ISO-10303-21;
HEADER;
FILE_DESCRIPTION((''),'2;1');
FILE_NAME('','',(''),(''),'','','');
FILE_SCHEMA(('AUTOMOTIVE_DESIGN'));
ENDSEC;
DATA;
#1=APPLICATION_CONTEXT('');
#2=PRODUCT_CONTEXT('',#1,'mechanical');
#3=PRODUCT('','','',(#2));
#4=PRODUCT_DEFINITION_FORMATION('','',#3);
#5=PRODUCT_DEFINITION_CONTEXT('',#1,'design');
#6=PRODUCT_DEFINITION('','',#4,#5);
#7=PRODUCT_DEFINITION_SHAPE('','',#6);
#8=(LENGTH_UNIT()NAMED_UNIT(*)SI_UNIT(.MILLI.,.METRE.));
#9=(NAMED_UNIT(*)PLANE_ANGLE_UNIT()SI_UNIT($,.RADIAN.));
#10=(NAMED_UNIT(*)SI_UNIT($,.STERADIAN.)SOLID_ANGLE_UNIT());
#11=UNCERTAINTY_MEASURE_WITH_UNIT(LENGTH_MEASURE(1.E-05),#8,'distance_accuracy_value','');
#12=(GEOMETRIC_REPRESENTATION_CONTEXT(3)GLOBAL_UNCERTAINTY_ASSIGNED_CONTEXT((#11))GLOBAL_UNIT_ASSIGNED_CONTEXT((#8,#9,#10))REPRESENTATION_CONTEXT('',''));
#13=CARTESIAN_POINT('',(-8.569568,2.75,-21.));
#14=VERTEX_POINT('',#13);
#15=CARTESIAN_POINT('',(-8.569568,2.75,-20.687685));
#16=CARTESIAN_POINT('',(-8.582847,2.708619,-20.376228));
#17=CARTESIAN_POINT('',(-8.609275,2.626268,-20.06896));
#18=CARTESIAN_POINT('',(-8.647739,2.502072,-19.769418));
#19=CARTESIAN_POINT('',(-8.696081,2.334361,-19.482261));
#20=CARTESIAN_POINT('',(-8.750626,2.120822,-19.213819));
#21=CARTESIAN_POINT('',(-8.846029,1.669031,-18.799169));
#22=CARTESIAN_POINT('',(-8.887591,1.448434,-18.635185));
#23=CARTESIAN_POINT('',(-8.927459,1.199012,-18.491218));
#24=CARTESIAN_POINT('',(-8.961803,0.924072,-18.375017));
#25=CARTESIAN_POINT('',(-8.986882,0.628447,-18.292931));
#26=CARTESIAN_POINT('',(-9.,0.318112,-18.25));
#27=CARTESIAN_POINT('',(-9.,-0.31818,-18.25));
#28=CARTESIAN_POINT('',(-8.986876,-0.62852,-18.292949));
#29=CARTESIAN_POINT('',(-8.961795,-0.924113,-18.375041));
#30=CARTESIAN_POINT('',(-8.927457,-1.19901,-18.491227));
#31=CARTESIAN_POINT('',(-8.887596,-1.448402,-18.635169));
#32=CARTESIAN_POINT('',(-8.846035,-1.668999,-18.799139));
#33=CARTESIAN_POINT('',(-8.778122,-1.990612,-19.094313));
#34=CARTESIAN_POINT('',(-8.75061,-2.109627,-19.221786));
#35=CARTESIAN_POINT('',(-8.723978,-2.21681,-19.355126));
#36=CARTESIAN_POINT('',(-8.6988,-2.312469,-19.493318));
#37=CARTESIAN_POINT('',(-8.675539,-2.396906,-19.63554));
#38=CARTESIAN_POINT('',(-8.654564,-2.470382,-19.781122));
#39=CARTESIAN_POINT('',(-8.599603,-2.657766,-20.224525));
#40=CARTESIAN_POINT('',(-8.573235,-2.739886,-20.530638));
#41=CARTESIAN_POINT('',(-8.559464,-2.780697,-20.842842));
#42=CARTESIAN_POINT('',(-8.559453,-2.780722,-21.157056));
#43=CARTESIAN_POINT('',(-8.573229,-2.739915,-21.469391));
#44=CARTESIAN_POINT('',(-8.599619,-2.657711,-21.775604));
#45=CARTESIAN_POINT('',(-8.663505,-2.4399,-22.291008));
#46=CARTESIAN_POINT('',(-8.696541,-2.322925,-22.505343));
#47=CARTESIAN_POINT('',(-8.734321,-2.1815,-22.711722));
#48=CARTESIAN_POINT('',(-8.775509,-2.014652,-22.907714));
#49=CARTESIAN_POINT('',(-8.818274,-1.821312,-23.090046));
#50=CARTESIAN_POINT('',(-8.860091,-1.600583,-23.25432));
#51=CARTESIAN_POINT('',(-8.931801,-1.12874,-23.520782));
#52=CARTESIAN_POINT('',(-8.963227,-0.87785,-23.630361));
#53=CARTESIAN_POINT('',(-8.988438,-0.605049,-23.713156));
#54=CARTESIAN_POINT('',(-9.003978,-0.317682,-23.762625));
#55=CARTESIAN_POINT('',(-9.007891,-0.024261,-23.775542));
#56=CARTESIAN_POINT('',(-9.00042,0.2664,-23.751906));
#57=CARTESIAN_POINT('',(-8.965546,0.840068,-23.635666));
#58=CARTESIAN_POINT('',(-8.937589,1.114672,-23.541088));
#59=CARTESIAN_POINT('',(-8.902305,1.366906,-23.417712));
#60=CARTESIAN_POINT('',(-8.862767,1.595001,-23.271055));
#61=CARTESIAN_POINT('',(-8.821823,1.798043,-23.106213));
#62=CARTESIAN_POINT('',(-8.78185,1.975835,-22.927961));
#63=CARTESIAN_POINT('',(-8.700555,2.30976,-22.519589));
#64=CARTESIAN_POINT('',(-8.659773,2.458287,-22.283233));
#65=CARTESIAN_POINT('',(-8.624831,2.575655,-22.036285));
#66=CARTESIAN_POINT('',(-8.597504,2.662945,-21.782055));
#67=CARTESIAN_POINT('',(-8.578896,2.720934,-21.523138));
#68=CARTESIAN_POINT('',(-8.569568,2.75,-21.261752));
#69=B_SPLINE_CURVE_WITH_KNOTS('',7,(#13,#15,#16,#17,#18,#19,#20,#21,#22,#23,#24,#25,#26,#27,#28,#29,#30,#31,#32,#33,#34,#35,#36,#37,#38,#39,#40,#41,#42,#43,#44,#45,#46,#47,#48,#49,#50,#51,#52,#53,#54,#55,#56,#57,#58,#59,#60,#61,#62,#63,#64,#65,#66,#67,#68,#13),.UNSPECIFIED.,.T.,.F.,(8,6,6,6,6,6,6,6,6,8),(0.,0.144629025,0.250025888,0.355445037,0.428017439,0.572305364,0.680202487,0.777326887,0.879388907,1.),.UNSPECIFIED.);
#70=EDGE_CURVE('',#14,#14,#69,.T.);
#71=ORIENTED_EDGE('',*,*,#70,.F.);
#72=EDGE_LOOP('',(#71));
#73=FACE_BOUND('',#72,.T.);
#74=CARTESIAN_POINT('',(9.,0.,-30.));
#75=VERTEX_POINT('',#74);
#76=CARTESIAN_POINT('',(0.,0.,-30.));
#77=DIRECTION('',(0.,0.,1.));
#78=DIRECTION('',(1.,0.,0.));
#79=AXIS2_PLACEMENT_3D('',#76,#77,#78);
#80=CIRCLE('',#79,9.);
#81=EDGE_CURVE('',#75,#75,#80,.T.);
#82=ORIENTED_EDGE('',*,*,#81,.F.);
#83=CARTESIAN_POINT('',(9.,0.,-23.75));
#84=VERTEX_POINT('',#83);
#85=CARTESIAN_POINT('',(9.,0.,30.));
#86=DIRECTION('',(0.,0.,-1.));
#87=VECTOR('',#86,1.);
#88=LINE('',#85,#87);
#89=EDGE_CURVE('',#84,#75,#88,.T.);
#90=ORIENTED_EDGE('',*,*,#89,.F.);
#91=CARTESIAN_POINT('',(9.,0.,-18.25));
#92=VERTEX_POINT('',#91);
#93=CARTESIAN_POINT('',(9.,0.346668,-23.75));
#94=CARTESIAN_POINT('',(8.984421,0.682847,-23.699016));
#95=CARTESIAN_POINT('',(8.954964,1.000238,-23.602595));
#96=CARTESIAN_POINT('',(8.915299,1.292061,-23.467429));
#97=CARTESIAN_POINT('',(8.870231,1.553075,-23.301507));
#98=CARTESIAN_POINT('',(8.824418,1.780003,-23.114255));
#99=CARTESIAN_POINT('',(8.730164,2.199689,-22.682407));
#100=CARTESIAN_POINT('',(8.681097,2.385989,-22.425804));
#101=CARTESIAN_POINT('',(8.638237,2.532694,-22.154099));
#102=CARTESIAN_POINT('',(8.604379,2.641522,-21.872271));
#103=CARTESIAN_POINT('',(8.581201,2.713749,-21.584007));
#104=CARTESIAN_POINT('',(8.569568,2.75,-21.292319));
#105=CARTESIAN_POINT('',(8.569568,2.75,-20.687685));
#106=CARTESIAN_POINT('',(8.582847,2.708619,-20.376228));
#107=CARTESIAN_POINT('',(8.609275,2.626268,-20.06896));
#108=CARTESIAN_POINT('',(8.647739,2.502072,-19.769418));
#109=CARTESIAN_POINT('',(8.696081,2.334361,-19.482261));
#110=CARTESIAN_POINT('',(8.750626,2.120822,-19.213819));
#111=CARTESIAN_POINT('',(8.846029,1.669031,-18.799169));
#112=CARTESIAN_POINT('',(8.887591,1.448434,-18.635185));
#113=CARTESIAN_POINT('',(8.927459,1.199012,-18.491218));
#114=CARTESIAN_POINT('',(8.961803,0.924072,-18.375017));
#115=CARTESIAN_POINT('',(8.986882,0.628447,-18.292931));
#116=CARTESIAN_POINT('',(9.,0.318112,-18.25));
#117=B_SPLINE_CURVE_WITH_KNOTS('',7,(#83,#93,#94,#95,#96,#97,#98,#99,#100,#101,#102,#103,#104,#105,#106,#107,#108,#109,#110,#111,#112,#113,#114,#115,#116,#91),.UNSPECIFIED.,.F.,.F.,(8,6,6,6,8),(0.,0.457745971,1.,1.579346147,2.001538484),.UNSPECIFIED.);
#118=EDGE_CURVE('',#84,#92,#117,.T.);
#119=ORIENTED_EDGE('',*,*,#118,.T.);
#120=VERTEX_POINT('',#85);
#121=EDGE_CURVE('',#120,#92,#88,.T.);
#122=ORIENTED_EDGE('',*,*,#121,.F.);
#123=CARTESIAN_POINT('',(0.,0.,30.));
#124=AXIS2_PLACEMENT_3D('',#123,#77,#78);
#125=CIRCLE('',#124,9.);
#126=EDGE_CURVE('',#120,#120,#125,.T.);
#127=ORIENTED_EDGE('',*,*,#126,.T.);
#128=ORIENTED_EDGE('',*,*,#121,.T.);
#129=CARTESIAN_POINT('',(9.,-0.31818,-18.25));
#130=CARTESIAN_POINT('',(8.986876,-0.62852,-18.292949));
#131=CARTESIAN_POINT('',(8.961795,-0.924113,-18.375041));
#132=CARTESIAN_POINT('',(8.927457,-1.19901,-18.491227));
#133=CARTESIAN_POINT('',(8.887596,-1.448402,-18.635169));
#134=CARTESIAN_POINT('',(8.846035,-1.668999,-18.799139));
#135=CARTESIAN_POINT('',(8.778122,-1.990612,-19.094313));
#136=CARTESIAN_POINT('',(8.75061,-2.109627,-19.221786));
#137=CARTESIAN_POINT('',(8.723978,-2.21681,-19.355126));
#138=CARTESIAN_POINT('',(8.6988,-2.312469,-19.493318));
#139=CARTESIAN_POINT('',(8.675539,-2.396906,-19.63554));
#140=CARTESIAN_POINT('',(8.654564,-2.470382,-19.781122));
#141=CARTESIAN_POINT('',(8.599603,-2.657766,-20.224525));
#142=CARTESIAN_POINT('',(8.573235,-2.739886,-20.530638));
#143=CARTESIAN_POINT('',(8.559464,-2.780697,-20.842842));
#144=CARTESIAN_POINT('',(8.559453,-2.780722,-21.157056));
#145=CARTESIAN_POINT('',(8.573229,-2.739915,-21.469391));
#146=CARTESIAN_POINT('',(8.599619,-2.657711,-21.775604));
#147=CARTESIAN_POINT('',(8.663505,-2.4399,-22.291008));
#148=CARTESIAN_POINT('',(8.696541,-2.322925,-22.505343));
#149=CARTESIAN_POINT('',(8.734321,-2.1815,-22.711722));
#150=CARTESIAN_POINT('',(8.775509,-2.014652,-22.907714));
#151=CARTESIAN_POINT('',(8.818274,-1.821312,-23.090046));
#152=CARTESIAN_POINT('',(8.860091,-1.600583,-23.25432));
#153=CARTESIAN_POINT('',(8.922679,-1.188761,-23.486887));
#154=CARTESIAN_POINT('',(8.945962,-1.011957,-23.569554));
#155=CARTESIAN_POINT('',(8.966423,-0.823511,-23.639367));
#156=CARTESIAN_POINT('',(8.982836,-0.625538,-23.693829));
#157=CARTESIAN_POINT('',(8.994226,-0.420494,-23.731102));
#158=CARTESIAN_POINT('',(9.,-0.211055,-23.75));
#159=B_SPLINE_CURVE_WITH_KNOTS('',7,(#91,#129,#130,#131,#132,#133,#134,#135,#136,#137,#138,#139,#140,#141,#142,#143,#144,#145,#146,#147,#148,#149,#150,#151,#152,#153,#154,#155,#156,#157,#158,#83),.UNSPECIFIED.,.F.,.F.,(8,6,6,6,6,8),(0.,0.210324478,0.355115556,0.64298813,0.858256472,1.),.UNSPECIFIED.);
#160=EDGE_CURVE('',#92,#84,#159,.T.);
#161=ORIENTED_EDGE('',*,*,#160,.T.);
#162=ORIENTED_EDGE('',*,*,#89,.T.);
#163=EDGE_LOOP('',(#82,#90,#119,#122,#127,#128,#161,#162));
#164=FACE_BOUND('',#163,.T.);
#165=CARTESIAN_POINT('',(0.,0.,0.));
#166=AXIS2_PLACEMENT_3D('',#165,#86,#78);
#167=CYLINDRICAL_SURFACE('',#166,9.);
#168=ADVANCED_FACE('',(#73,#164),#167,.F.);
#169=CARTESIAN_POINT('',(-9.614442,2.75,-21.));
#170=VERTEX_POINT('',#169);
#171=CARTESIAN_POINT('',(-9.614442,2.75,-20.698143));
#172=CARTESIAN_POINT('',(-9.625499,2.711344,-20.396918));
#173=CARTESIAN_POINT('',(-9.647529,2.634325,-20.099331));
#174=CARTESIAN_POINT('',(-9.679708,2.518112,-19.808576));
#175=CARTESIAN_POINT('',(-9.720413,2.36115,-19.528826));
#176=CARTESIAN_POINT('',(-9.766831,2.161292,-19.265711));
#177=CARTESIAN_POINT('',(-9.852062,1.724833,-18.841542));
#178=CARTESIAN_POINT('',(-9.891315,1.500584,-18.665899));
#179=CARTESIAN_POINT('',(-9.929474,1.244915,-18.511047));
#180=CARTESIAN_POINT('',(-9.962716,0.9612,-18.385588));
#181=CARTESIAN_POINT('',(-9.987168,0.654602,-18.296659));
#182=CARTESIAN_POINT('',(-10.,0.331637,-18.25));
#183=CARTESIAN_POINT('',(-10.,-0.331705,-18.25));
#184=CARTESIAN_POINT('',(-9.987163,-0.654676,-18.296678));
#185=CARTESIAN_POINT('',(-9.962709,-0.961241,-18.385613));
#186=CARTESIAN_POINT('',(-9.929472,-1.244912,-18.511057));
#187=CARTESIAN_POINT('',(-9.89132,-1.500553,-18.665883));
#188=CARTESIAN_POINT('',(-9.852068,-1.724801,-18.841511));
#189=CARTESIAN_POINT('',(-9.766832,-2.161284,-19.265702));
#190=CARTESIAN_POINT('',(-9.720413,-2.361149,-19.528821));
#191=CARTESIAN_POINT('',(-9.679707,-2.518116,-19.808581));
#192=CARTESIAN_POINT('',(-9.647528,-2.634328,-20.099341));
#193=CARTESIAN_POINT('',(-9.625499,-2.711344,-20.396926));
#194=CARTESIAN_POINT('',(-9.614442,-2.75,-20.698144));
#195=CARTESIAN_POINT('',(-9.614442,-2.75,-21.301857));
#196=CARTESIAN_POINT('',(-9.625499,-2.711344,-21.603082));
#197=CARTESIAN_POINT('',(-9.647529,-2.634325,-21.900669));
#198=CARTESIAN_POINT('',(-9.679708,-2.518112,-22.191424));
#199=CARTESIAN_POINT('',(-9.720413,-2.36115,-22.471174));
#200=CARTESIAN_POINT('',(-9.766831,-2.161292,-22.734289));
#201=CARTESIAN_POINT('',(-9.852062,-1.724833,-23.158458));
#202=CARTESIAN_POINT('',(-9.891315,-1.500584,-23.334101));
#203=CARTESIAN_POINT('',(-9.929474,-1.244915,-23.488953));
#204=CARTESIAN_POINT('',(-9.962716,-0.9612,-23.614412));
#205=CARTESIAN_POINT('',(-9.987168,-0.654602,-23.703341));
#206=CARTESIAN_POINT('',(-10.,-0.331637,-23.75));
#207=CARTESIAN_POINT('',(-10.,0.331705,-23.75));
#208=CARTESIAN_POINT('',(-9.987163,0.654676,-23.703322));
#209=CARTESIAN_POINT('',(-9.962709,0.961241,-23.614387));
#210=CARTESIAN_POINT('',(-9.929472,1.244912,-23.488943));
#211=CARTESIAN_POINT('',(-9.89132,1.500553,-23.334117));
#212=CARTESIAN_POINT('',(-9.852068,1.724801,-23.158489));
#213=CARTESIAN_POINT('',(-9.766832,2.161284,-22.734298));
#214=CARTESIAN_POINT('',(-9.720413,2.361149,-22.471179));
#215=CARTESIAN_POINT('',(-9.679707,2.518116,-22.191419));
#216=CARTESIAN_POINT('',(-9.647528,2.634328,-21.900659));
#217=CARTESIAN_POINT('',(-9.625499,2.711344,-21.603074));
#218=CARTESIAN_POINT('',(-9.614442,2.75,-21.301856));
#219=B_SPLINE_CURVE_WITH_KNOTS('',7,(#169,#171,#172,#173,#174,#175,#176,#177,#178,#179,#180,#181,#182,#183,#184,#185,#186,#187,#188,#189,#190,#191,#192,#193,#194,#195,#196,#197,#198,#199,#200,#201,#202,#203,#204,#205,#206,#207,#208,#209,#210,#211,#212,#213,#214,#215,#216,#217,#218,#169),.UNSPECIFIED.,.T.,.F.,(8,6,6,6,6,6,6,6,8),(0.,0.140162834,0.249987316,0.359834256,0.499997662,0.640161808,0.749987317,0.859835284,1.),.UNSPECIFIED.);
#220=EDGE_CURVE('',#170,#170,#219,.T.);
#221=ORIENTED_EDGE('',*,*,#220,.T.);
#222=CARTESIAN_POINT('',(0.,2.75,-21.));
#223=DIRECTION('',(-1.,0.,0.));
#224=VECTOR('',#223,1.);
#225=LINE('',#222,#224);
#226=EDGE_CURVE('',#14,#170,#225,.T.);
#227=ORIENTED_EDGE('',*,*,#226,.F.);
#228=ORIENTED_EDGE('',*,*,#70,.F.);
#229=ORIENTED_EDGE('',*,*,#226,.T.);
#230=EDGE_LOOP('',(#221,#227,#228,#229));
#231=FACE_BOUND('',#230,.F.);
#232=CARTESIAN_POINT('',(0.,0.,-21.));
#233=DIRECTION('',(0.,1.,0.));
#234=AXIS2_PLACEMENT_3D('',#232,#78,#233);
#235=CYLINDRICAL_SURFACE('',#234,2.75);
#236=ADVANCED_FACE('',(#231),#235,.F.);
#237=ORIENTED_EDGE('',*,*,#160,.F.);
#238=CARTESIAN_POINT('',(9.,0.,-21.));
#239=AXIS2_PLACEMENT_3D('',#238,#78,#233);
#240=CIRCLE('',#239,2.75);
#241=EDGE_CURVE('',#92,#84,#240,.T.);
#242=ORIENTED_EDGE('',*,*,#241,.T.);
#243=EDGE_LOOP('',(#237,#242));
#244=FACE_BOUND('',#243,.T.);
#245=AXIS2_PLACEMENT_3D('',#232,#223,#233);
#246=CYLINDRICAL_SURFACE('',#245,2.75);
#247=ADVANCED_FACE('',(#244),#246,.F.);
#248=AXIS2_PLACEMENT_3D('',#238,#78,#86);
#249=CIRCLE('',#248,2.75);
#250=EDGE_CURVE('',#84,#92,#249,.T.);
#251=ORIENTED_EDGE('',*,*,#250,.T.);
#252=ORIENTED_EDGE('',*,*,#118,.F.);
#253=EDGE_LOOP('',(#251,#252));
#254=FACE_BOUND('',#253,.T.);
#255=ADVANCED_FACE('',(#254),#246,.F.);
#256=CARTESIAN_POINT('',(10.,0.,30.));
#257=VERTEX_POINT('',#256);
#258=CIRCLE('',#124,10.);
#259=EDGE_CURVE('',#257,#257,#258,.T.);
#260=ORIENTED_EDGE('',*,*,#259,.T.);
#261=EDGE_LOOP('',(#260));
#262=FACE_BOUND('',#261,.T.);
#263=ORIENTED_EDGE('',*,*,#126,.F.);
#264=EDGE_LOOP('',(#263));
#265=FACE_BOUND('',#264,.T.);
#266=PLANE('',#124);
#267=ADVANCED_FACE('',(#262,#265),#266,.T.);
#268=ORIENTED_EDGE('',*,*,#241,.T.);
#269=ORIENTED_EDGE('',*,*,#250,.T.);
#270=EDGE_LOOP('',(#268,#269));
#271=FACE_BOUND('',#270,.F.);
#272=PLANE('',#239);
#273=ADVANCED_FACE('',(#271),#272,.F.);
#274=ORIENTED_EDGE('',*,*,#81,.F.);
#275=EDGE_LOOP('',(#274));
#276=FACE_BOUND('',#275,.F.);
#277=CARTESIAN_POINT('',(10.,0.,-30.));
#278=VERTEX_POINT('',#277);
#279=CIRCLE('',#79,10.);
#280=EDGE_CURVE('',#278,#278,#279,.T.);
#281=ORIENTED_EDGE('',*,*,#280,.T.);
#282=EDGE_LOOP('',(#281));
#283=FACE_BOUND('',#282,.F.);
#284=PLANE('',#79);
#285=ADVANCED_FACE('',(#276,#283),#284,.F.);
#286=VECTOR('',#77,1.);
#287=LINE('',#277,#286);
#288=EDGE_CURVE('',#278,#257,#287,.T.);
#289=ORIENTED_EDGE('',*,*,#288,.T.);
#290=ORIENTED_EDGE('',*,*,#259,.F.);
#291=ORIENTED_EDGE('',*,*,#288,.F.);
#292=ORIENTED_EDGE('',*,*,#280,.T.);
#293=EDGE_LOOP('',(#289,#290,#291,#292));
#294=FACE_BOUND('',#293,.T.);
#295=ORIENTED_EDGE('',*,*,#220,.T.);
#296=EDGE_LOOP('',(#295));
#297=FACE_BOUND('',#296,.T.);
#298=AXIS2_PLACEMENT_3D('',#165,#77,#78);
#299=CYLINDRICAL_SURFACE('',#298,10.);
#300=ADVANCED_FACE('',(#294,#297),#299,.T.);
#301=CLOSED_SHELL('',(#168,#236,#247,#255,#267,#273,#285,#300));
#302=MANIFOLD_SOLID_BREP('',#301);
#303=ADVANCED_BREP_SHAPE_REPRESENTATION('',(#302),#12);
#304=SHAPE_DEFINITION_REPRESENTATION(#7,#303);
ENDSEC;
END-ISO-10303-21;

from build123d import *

# Parameters (mm, degrees)
F0_R          = 10
F0_R_2        = 9
F1_DEPTH      = 30
F2_R          = 2.75
F3_DEPTH      = 25
F3_DEPTH_BACK = 9


with BuildPart() as f1:
    # F0 (on Top) → F1 (new body, symmetric)
    with BuildSketch(Plane.XY):
        Circle(F0_R)
        Circle(F0_R_2, mode=Mode.SUBTRACT)
    extrude(amount=F1_DEPTH, both=True)

    # F2 (on Right) → F3 (cut, two sides)
    with BuildSketch(Plane.YZ) as f3_sk:
        with Locations((0, -21)):
            Circle(F2_R)
    extrude(amount=-F3_DEPTH, mode=Mode.SUBTRACT)
    extrude(f3_sk.sketch, amount=F3_DEPTH_BACK, mode=Mode.SUBTRACT)


solid = f1.part
